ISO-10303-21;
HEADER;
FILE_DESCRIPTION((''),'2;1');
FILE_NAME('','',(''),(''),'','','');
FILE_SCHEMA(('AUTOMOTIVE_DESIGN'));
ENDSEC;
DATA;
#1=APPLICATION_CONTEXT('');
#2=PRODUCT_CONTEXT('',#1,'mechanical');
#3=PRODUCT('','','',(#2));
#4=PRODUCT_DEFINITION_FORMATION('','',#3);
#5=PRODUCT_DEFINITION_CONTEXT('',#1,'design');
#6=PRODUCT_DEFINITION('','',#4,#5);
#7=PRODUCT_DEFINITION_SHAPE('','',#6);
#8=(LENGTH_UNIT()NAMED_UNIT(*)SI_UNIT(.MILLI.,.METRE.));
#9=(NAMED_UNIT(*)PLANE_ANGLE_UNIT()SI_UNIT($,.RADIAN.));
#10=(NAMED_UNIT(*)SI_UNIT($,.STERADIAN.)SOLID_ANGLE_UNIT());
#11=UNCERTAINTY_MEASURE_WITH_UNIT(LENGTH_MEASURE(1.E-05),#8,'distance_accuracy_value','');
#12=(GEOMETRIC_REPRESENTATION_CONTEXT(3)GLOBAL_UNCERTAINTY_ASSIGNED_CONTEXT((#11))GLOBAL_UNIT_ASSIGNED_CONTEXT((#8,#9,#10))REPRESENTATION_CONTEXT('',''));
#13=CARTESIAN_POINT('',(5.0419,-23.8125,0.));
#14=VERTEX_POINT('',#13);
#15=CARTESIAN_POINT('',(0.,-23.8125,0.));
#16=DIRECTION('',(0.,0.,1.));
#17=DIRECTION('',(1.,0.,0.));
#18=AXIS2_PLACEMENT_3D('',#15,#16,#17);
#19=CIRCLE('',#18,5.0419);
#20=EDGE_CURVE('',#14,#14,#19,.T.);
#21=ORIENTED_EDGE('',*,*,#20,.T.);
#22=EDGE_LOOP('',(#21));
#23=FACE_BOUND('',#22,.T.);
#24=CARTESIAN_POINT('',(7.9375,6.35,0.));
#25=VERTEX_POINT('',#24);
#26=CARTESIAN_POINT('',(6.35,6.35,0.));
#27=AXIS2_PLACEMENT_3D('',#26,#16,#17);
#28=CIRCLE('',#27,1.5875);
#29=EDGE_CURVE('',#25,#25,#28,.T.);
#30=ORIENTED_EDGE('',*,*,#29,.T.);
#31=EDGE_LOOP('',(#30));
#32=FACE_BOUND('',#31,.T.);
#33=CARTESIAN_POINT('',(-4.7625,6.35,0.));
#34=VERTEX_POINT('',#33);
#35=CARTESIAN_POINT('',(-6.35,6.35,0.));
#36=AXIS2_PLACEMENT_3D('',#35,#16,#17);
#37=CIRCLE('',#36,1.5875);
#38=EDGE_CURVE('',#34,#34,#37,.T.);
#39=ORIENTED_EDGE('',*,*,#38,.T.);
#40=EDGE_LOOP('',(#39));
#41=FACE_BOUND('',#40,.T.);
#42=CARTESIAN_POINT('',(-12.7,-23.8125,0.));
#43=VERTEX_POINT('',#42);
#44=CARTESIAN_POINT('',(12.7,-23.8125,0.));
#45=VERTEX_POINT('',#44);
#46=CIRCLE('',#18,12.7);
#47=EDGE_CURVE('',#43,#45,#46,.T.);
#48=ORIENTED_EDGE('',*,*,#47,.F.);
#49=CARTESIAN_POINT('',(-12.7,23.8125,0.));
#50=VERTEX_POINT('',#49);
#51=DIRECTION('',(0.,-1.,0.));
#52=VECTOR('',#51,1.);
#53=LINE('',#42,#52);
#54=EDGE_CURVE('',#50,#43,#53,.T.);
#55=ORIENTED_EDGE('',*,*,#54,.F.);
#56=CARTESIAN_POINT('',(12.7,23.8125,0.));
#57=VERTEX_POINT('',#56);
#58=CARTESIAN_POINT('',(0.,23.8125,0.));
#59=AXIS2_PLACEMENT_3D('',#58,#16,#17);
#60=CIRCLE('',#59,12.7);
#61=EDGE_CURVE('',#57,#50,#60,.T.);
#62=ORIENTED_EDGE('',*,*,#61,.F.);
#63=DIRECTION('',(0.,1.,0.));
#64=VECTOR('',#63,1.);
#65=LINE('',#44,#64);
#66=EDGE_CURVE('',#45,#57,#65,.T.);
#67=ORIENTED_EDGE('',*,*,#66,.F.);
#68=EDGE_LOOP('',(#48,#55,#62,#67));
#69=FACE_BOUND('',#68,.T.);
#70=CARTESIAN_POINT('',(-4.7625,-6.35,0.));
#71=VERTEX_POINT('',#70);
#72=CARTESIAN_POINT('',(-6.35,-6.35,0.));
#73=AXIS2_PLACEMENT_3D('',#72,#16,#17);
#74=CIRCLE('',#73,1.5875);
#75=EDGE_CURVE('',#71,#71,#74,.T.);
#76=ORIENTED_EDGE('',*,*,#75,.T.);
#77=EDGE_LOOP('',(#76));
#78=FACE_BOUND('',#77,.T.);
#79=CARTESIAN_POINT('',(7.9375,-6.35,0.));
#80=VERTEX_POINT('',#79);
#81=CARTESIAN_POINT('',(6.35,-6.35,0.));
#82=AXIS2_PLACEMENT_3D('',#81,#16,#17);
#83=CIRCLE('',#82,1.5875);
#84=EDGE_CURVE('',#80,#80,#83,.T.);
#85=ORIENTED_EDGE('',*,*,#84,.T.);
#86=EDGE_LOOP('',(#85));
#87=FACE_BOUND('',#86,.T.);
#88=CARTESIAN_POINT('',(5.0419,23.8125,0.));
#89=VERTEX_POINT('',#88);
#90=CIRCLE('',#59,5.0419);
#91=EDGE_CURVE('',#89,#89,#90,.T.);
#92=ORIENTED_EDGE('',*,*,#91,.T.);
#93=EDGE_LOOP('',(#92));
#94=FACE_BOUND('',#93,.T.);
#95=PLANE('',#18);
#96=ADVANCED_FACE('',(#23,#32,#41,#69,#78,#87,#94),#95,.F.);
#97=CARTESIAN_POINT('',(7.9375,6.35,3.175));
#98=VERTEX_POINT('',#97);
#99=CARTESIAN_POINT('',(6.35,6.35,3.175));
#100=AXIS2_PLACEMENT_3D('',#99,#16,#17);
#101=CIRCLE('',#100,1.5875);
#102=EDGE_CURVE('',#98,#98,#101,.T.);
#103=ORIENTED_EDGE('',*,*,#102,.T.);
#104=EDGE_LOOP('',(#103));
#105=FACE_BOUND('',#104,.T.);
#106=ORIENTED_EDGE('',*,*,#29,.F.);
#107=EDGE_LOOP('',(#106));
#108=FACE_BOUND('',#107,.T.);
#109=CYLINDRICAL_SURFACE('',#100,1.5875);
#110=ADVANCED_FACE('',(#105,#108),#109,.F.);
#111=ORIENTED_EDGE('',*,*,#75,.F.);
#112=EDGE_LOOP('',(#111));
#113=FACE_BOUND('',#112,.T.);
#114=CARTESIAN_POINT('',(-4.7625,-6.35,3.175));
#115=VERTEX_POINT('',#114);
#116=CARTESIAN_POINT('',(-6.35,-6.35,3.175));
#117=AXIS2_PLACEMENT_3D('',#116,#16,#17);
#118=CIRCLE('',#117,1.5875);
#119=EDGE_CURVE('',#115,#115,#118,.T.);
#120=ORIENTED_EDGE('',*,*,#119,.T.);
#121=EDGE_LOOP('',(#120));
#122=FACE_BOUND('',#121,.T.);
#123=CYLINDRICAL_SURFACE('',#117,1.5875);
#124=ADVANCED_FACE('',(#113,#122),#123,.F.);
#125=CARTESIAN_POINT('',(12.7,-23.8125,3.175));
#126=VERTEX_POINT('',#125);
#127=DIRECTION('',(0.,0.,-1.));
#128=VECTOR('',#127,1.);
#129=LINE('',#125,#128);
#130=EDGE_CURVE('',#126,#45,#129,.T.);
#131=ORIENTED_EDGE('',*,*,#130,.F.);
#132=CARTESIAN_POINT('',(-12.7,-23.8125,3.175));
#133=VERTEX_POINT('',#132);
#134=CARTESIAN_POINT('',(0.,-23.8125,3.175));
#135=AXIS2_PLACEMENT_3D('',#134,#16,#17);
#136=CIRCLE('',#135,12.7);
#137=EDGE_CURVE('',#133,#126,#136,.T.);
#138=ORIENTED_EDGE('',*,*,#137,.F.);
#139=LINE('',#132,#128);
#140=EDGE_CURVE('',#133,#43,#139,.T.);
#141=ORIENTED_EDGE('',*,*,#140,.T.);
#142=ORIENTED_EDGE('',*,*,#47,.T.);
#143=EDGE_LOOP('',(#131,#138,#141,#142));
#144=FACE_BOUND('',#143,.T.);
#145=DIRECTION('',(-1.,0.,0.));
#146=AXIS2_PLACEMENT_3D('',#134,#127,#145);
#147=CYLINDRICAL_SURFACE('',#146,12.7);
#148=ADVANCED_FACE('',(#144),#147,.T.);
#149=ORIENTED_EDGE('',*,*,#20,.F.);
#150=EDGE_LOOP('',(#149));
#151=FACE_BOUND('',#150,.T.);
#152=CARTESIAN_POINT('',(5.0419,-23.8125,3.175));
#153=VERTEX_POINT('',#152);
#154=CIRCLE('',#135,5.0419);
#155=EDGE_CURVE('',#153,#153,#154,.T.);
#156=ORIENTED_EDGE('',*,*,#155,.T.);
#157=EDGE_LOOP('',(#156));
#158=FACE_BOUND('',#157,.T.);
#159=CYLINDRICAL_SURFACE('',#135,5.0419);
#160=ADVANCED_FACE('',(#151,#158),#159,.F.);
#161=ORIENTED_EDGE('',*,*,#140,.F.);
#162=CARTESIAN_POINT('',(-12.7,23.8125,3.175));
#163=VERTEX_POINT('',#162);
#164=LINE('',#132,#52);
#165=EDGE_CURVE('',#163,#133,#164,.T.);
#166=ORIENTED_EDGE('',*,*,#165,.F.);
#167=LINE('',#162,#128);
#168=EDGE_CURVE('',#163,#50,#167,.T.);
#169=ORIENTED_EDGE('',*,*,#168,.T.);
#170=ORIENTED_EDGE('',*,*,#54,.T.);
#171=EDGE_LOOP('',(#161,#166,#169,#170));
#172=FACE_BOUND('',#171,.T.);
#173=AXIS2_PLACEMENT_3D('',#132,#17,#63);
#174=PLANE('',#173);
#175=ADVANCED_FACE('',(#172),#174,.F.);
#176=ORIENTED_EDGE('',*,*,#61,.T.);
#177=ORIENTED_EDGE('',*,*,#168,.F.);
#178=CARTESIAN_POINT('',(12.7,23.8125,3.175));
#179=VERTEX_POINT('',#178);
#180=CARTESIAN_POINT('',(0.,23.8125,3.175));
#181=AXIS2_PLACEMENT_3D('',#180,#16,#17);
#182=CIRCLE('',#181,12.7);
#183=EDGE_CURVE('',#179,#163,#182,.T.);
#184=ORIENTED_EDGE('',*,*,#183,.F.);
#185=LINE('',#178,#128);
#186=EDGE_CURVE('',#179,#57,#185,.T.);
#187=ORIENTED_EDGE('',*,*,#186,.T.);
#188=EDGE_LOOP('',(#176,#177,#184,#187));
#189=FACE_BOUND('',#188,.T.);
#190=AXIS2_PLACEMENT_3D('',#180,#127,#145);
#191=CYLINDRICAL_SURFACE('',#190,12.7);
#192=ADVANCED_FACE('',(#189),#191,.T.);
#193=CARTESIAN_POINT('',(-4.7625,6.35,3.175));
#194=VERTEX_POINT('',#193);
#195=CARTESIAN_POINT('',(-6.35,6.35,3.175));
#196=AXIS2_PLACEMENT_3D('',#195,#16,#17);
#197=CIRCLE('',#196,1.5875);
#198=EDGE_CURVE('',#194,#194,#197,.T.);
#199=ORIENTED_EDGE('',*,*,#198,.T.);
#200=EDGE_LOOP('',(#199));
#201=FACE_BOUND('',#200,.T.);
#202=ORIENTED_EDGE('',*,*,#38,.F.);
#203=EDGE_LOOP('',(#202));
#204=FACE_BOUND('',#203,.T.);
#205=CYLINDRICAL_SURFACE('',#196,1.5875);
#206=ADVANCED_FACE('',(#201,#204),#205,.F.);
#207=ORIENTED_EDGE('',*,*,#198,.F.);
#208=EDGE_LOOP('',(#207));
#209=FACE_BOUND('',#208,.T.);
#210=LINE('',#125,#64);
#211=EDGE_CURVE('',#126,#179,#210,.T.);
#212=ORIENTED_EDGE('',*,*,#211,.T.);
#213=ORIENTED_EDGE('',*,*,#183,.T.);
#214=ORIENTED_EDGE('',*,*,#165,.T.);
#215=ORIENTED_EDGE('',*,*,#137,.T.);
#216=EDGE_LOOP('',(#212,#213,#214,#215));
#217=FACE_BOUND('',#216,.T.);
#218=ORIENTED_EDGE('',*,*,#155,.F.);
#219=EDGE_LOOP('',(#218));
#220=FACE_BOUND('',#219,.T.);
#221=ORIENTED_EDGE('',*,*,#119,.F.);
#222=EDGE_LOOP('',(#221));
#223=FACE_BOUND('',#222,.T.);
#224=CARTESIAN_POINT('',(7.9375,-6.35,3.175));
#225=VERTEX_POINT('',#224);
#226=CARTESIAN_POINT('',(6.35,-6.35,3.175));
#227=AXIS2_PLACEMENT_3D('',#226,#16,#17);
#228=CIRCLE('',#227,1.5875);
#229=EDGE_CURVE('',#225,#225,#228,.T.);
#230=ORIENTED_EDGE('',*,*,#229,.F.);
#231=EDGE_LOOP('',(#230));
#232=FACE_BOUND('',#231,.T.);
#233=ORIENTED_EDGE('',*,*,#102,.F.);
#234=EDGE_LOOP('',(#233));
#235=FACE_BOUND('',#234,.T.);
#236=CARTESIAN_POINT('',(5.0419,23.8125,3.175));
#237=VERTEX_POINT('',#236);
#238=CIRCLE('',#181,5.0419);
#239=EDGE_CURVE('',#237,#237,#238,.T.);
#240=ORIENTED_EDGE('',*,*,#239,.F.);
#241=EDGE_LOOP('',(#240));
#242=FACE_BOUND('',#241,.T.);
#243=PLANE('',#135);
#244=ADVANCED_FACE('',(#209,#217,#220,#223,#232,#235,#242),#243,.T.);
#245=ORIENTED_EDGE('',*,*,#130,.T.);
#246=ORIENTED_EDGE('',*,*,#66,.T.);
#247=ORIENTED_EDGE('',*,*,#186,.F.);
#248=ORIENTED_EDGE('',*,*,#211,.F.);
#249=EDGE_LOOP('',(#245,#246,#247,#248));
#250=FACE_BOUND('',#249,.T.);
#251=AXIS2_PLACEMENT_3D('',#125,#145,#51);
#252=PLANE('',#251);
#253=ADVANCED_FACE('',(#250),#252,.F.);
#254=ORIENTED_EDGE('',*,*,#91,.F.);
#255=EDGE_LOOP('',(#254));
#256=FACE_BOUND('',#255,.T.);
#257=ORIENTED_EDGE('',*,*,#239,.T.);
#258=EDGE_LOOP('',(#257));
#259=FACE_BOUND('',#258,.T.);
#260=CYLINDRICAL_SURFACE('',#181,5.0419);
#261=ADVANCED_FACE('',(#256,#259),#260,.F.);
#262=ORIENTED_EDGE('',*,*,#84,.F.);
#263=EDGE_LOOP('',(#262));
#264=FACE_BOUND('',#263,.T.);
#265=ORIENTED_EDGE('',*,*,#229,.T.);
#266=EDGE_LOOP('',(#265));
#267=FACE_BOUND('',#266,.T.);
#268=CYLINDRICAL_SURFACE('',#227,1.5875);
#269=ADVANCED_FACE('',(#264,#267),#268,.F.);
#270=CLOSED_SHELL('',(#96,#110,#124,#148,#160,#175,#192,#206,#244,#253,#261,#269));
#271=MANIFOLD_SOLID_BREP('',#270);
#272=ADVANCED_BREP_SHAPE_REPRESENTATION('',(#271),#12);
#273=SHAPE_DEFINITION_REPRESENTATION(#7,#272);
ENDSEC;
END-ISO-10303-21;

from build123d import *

# Parameters (mm, degrees)
BOSS_EXTRUDE1_DEPTH          = 3.175
F_3_8_CLEARANCE_HOLE2_D      = 10.0838
F_1_8_0_125_DIAMETER_HOLE1_D = 3.175


with BuildPart() as part:
    # Sketch1 → Boss-Extrude1 (new body)
    with BuildSketch(Plane.XY):
        with BuildLine():
            Line((-12.7, -23.8125), (-12.7, 23.8125))
            ThreePointArc((-12.7, 23.8125), (0, 36.5125), (12.7, 23.8125))
            Line((12.7, 23.8125), (12.7, -23.8125))
            ThreePointArc((12.7, -23.8125), (0, -36.5125), (-12.7, -23.8125))
        make_face()
    extrude(amount=BOSS_EXTRUDE1_DEPTH)

    # 3/8 Clearance Hole2 (through all)
    with Locations(Plane.XY.offset(3.175)):
        with Locations((0, 23.8125), (0, -23.8125)):
            Hole(F_3_8_CLEARANCE_HOLE2_D / 2)

    # 1/8 (0.125) Diameter Hole1 (through all)
    with Locations(Plane.XY.offset(3.175)):
        with Locations((6.35, -6.35), (6.35, 6.35), (-6.35, -6.35), (-6.35, 6.35)):
            Hole(F_1_8_0_125_DIAMETER_HOLE1_D / 2)


solid = part.part
